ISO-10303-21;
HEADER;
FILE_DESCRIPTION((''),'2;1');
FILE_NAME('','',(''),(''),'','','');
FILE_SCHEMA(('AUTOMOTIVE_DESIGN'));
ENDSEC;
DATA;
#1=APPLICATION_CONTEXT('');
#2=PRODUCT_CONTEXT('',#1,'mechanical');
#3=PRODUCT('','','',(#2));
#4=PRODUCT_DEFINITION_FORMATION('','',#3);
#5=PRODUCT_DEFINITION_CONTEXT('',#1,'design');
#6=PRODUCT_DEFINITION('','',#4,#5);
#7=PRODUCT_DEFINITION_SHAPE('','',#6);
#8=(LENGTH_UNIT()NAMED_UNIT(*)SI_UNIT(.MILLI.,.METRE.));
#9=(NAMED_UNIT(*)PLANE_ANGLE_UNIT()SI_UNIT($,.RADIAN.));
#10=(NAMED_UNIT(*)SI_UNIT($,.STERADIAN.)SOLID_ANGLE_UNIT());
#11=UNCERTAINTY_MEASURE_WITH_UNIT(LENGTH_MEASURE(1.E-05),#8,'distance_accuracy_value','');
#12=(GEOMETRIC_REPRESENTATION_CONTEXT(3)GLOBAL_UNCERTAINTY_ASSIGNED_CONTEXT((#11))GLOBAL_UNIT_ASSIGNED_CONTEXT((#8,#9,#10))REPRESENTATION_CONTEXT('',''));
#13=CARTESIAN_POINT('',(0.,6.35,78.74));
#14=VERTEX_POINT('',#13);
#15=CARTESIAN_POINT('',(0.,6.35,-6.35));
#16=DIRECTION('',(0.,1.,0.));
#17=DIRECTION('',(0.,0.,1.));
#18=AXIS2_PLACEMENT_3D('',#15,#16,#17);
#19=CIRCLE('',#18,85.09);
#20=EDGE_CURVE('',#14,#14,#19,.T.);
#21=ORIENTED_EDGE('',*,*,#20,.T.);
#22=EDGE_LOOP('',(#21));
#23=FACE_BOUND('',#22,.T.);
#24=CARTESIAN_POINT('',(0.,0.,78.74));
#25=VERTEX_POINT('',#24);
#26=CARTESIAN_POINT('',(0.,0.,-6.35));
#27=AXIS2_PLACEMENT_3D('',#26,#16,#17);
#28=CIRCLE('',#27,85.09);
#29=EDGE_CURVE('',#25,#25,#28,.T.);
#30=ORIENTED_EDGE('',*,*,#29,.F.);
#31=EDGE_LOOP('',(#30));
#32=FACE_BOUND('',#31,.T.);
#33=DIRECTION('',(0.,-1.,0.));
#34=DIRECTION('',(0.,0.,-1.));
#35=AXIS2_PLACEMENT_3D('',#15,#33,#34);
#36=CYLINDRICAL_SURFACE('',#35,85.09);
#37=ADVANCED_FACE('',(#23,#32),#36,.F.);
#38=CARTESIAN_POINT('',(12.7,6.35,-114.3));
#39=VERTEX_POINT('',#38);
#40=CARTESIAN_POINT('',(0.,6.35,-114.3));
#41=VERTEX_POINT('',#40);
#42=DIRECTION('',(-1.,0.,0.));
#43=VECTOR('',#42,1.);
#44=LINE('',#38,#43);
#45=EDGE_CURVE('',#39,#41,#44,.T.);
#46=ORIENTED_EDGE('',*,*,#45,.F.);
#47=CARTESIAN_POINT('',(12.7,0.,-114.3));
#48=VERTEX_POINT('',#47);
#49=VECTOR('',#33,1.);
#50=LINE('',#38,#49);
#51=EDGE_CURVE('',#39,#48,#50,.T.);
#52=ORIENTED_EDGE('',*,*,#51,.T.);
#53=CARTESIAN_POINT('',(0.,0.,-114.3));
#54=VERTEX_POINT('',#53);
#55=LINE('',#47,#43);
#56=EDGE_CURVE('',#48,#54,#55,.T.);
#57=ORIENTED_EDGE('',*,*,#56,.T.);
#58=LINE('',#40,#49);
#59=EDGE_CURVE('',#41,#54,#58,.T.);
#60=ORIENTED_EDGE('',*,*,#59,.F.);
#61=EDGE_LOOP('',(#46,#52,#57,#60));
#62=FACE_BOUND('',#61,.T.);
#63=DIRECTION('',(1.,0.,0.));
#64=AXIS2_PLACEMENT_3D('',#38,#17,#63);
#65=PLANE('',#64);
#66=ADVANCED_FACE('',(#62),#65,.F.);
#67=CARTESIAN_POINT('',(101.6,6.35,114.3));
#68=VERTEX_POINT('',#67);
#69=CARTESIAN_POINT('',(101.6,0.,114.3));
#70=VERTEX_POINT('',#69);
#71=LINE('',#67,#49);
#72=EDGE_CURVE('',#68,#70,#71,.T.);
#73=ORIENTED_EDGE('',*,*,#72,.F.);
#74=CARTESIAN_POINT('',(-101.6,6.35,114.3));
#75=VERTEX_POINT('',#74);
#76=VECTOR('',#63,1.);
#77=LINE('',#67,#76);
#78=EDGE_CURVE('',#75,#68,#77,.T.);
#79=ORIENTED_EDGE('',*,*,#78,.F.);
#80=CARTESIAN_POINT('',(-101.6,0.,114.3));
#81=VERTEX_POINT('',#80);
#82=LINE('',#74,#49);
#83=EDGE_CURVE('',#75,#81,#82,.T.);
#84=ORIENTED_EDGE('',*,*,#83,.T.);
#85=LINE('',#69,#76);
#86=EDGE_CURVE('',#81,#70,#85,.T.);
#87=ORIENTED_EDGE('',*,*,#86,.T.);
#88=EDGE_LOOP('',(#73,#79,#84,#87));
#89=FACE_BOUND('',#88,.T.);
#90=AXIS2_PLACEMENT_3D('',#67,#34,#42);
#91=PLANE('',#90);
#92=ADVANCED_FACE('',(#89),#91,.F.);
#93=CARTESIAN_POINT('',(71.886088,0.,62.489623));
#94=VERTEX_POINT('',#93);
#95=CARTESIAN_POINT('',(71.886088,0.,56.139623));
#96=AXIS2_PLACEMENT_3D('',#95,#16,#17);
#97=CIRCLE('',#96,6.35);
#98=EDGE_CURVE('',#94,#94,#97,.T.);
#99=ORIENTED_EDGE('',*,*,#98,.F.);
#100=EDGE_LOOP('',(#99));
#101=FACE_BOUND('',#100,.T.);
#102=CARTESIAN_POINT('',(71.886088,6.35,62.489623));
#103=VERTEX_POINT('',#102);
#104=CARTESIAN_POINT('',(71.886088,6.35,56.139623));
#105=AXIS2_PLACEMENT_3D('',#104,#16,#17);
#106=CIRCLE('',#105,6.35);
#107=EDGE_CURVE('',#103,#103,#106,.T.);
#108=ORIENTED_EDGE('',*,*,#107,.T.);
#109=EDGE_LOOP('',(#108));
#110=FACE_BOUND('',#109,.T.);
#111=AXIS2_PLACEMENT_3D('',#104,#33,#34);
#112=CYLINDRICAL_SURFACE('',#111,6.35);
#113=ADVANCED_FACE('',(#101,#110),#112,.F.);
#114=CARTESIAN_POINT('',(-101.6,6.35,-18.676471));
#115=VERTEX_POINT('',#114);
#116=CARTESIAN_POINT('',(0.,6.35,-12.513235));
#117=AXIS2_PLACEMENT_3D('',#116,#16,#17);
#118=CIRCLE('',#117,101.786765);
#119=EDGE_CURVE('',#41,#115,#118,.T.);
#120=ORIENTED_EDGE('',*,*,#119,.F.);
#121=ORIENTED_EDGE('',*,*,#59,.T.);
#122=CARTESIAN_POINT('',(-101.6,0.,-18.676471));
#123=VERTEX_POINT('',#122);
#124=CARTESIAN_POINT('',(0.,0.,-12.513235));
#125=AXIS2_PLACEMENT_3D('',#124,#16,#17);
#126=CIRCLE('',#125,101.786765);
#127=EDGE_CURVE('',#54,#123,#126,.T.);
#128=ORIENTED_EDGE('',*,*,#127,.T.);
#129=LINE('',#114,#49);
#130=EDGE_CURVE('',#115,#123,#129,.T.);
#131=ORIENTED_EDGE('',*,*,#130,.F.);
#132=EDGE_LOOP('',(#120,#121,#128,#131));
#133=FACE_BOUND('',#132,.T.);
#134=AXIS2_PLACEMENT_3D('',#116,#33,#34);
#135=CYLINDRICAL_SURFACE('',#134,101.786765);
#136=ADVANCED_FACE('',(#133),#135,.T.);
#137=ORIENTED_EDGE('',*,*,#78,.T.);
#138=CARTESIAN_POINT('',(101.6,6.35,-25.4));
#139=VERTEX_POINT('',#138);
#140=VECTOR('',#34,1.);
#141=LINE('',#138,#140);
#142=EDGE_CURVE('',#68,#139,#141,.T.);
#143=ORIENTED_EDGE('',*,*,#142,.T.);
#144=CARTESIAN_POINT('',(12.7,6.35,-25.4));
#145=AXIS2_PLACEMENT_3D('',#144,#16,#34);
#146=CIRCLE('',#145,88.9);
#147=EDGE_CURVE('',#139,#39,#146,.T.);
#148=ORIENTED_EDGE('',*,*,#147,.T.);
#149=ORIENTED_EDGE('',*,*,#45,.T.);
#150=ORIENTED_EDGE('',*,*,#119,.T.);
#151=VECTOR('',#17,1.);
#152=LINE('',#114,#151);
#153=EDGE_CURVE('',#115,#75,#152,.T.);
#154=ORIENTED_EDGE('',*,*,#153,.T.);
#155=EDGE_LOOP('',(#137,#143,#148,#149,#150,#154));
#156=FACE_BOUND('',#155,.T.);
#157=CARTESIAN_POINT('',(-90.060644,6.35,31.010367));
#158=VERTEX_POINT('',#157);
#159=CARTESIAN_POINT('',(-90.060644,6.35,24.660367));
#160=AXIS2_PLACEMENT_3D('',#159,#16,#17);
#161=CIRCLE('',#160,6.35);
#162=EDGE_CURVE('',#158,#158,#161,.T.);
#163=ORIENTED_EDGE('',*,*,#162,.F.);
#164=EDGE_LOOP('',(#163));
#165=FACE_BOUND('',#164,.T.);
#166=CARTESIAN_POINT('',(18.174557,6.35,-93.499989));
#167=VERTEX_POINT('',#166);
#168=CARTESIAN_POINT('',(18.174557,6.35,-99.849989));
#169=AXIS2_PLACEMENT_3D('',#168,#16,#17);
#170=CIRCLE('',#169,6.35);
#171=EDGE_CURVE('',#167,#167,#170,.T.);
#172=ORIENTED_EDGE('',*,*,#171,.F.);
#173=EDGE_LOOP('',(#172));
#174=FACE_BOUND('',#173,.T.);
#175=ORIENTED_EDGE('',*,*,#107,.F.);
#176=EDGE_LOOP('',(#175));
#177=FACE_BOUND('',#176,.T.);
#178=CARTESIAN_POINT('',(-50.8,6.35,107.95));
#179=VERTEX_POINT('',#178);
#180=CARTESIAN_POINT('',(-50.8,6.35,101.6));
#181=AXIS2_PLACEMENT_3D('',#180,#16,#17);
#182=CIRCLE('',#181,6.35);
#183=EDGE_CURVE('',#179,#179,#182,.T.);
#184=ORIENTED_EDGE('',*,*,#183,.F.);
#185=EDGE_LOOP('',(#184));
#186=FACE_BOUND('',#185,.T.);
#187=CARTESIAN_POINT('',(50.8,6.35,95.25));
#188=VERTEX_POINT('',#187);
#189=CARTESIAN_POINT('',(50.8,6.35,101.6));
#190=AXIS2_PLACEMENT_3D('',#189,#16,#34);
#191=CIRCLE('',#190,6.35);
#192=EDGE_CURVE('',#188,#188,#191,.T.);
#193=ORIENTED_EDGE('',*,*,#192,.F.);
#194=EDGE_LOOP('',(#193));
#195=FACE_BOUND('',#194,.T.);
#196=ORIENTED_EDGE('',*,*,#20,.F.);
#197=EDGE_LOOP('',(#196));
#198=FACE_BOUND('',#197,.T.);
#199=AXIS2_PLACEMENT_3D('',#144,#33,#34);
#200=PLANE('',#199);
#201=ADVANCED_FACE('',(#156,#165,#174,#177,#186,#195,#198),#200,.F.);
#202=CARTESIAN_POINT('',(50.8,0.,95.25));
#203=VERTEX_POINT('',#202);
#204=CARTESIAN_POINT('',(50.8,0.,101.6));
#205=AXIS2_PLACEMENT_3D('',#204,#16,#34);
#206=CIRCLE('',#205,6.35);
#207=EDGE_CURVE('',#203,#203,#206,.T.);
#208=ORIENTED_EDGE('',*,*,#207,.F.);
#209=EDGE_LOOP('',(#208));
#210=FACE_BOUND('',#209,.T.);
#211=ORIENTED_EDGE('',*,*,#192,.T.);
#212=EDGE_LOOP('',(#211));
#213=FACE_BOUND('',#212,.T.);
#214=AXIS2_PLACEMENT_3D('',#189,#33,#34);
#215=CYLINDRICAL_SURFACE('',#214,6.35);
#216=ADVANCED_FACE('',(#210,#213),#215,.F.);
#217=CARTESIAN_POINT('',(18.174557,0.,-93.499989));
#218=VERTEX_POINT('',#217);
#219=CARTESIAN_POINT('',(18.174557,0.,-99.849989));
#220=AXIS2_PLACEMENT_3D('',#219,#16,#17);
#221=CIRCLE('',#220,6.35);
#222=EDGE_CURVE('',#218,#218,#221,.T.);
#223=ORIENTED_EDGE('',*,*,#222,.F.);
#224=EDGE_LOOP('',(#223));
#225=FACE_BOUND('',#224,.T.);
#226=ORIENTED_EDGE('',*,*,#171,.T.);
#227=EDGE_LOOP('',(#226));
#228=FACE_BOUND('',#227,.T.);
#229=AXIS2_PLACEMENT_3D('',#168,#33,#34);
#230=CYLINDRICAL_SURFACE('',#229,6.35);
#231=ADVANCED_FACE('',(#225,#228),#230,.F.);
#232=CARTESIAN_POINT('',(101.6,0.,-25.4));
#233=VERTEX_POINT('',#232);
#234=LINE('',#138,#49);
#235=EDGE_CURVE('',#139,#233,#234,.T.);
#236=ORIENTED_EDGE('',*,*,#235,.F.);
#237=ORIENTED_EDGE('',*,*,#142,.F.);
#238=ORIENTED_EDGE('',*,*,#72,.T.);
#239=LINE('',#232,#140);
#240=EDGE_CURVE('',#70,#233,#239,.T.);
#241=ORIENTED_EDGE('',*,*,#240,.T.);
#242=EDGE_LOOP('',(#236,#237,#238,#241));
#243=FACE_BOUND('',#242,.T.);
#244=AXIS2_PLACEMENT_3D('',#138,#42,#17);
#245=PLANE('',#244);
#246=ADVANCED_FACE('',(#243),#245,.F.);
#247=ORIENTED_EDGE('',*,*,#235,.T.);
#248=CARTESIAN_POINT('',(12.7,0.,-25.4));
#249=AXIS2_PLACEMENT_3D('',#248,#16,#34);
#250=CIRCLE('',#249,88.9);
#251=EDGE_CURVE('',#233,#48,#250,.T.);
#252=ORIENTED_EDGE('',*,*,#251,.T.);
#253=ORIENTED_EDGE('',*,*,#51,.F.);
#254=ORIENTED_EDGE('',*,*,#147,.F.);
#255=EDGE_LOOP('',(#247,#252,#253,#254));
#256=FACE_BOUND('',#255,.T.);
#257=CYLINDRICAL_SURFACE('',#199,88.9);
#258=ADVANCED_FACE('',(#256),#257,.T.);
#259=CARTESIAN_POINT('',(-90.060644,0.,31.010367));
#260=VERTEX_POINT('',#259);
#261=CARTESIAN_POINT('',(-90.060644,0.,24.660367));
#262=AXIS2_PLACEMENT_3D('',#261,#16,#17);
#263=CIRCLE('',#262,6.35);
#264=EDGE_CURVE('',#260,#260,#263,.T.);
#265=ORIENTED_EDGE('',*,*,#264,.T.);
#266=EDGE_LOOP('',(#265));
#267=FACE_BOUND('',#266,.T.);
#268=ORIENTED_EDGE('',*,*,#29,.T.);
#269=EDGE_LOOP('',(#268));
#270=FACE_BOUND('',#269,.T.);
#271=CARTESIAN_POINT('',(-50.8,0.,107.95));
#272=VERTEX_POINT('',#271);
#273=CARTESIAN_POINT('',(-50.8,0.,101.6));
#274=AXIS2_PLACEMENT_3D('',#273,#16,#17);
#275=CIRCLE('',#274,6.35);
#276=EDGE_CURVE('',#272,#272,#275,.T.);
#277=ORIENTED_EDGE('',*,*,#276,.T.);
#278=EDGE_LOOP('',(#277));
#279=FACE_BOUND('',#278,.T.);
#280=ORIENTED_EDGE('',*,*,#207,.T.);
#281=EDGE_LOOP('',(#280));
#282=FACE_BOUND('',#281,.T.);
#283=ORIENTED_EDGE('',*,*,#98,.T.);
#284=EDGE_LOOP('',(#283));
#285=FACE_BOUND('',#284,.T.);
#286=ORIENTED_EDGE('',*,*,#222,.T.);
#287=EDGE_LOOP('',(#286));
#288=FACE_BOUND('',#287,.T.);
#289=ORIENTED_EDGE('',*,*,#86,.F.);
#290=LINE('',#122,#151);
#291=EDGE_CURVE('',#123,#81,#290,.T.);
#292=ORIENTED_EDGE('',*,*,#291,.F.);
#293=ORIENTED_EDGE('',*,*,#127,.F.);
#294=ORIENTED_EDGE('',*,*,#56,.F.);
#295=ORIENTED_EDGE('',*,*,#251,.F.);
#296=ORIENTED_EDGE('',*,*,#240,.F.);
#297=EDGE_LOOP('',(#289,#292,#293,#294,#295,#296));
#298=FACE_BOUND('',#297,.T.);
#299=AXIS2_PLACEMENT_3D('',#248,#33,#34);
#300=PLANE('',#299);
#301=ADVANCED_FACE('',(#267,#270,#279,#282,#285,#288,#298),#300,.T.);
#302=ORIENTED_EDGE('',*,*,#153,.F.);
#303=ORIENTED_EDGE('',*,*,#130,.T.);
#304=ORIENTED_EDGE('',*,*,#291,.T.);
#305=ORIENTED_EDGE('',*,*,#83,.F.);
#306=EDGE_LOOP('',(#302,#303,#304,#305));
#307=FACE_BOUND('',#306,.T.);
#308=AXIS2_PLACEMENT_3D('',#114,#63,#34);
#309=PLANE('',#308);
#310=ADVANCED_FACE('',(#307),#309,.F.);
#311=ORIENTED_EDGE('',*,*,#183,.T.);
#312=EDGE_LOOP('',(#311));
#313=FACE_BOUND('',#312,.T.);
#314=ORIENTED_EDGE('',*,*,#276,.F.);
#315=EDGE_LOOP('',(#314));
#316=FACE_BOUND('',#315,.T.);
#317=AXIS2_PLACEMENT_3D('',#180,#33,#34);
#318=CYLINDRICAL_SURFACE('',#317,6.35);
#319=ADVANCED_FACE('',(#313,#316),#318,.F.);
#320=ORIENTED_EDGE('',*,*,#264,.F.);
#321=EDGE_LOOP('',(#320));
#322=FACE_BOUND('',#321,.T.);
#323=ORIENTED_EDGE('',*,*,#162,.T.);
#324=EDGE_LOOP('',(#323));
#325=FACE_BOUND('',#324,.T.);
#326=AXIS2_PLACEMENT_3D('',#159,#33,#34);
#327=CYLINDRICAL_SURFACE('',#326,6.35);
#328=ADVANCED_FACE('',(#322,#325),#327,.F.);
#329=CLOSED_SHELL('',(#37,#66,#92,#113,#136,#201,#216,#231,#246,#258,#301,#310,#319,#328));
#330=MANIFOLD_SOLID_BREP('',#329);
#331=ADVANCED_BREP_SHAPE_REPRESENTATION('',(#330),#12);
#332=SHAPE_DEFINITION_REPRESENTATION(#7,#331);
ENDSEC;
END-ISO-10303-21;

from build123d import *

# Parameters (mm, degrees)
SKETCH1_R           = 85.09
SKETCH1_R_2         = 6.35
BOSS_EXTRUDE1_DEPTH = 6.35


with BuildPart() as part:
    # Sketch1 → Boss-Extrude1 (new body)
    with BuildSketch(Plane(origin=(0, 0, 0), x_dir=(1, 0, 0), z_dir=(0, 1, 0))):
        with BuildLine():
            Line((12.7, 114.3), (0, 114.3))
            ThreePointArc((0, 114.3), (-69.761055355, 86.634356609), (-101.6, 18.676470588))
            Line((-101.6, 18.676470588), (-101.6, -114.3))
            Line((-101.6, -114.3), (101.6, -114.3))
            Line((101.6, -114.3), (101.6, 25.4))
            ThreePointArc((101.6, 25.4), (75.561792847, 88.261792847), (12.7, 114.3))
        make_face()
        with Locations((0, 6.35)):
            Circle(SKETCH1_R, mode=Mode.SUBTRACT)
        with Locations((-90.060644326, -24.660366712)):
            Circle(SKETCH1_R_2, mode=Mode.SUBTRACT)
        with Locations((-50.8, -101.6)):
            Circle(SKETCH1_R_2, mode=Mode.SUBTRACT)
        with Locations((50.8, -101.6)):
            Circle(SKETCH1_R_2, mode=Mode.SUBTRACT)
        with Locations((18.17455681, 99.849989223)):
            Circle(SKETCH1_R_2, mode=Mode.SUBTRACT)
        with Locations((71.886087516, -56.139622511)):
            Circle(SKETCH1_R_2, mode=Mode.SUBTRACT)
    extrude(amount=BOSS_EXTRUDE1_DEPTH)


solid = part.part
